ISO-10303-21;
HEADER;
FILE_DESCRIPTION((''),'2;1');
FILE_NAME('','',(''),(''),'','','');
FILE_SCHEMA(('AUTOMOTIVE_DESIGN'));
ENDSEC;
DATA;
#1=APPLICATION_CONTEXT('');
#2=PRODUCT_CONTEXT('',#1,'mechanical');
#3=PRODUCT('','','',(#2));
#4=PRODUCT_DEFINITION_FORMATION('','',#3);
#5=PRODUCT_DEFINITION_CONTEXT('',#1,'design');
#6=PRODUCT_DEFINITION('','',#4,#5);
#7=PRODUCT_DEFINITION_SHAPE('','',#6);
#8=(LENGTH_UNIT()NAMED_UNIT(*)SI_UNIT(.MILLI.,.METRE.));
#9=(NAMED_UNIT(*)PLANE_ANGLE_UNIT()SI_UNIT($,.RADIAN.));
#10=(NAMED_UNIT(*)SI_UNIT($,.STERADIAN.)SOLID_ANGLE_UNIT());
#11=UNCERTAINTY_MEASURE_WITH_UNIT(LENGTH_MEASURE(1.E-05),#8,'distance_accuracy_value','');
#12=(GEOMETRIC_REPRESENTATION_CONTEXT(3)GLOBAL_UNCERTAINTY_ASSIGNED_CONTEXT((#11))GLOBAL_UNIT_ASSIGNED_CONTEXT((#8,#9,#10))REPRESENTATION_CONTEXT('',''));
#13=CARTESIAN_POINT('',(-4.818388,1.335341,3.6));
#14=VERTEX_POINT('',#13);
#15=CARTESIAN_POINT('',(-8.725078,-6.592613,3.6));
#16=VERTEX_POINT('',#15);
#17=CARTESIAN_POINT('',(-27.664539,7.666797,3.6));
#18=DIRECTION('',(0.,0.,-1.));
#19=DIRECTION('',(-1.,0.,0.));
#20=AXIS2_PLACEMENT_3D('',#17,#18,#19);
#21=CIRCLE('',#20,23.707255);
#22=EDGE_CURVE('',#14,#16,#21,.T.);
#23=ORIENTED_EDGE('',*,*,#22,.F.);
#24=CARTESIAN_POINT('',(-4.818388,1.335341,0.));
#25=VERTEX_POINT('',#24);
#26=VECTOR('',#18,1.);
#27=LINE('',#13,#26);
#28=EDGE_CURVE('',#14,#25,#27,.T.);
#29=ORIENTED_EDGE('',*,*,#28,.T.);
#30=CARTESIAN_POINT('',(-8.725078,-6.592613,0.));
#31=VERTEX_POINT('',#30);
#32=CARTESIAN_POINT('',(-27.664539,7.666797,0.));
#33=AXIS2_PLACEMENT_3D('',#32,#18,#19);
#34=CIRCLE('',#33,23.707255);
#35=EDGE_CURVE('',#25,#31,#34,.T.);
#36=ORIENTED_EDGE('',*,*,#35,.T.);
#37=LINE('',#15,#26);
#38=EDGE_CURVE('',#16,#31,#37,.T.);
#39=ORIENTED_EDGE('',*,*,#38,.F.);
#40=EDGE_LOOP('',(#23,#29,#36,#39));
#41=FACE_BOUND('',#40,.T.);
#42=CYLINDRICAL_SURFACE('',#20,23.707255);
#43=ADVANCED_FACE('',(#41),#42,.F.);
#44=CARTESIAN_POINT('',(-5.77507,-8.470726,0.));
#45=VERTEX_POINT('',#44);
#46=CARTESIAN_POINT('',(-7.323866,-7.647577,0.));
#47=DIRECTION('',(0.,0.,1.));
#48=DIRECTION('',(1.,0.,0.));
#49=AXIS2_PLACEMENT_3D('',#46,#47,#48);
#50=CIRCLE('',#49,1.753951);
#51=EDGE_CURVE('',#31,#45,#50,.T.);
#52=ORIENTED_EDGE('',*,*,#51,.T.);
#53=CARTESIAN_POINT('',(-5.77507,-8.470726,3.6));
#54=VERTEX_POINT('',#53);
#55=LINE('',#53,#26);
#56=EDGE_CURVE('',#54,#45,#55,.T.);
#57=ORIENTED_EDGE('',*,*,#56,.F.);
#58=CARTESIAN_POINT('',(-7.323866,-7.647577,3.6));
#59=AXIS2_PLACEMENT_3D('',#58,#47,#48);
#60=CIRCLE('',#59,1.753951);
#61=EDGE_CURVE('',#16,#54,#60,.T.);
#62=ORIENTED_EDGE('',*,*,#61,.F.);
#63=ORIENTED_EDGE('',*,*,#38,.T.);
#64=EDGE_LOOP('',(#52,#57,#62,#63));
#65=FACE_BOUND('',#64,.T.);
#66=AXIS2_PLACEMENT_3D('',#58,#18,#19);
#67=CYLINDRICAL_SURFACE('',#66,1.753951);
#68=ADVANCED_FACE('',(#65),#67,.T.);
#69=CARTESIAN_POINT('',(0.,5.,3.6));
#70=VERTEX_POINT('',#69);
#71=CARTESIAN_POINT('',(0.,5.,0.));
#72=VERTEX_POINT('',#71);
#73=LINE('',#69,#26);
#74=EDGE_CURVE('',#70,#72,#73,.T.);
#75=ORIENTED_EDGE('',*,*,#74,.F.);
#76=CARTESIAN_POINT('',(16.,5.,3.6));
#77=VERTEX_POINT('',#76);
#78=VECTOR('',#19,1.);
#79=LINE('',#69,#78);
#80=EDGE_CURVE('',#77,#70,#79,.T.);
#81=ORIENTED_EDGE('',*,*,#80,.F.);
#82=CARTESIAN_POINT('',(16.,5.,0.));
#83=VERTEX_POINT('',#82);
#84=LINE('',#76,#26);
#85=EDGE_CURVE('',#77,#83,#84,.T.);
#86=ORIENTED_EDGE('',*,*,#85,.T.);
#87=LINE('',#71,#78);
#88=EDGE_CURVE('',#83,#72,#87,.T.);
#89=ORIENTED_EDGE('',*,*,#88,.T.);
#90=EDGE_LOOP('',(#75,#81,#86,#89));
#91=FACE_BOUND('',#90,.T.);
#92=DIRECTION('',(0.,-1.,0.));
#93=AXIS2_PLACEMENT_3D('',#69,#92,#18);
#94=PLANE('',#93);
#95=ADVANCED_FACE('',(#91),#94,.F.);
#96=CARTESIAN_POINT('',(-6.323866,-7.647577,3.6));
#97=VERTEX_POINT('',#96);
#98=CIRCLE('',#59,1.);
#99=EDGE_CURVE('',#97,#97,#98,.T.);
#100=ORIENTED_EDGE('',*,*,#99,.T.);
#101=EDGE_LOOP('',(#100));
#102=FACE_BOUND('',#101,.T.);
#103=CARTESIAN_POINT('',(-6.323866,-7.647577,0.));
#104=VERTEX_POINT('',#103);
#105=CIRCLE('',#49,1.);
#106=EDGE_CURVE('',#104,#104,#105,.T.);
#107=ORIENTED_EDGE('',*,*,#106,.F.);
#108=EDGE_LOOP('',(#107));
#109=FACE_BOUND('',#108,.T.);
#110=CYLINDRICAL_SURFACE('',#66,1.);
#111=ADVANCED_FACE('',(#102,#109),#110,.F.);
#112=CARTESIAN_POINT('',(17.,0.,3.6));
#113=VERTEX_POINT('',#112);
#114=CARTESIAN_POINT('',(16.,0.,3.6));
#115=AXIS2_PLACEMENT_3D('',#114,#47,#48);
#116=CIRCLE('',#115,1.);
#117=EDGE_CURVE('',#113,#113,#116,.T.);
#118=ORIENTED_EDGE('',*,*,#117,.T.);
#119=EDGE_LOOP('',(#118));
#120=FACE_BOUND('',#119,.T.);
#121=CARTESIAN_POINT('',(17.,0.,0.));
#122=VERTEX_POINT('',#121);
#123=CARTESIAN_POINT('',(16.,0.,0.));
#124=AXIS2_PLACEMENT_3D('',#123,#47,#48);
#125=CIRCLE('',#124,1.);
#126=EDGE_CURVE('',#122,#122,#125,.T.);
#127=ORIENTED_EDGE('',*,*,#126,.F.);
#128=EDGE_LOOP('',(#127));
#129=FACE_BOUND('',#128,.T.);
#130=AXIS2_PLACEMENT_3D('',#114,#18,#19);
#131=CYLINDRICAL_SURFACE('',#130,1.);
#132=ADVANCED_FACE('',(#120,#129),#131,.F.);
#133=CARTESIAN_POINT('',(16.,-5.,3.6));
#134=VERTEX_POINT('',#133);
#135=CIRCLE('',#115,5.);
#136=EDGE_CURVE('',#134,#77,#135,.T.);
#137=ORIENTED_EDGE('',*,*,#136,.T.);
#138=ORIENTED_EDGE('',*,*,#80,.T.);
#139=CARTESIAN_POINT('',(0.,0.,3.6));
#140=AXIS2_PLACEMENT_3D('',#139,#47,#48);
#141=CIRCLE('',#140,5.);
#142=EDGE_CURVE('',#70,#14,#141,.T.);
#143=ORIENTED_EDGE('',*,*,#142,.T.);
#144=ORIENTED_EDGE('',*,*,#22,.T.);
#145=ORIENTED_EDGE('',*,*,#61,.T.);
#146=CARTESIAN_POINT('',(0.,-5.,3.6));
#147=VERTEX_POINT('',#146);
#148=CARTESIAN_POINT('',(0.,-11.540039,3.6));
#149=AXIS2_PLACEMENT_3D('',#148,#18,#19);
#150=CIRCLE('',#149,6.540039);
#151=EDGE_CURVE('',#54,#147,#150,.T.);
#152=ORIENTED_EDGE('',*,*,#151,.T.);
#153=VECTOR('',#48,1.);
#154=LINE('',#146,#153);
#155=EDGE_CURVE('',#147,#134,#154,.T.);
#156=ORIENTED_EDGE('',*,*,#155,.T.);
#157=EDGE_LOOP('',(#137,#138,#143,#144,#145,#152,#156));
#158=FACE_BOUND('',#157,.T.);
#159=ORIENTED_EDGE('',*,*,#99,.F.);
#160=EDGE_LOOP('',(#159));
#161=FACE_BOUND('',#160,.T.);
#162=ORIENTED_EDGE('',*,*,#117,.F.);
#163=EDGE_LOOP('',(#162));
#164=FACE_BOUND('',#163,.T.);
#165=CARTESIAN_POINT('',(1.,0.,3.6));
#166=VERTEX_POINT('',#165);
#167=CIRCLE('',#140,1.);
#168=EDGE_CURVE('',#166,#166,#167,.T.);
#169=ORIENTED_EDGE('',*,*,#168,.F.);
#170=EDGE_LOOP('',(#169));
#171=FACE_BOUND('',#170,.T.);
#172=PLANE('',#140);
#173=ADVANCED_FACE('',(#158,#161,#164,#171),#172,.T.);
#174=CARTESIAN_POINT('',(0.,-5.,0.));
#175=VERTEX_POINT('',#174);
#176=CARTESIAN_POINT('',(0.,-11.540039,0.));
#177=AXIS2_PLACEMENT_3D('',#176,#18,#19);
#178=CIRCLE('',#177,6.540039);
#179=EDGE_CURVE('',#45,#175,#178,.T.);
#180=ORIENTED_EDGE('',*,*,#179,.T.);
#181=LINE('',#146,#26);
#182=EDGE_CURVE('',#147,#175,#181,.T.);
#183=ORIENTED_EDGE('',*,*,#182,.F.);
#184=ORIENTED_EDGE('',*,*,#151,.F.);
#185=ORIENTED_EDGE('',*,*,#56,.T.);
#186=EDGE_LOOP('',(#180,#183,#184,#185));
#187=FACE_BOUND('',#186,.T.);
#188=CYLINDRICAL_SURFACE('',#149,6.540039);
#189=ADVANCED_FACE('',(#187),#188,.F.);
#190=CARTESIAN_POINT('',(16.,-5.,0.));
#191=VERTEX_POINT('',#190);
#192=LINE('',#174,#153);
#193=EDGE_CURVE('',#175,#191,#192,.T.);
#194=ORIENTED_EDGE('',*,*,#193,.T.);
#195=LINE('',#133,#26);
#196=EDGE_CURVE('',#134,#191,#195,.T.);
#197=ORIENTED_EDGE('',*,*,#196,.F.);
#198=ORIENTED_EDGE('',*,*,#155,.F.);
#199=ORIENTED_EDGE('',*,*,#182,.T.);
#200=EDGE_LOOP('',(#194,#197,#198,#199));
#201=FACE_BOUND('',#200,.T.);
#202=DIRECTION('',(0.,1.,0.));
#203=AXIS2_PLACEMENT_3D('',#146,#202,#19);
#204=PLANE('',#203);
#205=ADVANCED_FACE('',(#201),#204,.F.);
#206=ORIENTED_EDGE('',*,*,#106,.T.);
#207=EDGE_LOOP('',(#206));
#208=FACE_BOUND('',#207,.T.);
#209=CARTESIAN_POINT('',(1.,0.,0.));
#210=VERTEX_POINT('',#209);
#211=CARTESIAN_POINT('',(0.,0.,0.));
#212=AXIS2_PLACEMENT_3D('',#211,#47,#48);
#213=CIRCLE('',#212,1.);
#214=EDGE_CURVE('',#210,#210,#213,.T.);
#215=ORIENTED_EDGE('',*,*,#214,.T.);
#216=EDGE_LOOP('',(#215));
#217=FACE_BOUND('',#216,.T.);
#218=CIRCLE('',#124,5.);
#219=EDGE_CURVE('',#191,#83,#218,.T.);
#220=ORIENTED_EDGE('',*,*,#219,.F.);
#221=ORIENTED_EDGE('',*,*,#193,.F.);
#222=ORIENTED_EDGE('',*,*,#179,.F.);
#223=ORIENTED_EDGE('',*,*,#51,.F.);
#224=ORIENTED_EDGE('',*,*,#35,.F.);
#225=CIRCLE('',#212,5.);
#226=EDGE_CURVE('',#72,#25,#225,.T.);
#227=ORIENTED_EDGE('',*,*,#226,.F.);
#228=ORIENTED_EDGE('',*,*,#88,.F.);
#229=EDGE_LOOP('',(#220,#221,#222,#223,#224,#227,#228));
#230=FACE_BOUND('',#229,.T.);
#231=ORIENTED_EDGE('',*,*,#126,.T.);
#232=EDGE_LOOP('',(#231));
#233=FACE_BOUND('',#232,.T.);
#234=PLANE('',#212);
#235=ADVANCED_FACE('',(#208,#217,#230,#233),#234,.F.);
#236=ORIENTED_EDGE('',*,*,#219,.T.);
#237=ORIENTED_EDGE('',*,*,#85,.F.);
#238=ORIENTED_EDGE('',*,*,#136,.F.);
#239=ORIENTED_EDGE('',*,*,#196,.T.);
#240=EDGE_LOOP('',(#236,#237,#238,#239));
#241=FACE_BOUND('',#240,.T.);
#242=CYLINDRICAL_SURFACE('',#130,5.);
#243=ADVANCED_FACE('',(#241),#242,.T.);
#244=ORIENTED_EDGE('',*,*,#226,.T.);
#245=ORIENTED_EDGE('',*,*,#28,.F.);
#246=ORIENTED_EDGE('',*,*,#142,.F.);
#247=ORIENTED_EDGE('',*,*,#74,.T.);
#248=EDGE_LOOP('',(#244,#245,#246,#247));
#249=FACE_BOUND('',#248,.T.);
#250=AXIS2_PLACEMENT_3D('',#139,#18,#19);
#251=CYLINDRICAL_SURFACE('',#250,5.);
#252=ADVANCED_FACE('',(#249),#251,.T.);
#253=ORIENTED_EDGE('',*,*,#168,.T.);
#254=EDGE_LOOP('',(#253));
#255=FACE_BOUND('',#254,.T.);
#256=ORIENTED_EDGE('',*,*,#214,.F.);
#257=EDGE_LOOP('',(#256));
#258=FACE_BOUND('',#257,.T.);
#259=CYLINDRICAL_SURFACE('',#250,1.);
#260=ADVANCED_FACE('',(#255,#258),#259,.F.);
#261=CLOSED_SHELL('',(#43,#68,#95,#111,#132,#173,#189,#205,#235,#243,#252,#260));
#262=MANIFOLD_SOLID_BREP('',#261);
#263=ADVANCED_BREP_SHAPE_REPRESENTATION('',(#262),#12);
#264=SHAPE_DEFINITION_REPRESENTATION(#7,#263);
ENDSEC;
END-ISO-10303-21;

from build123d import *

# Parameters (mm, degrees)
SKETCH1_R           = 1
BOSS_EXTRUDE1_DEPTH = 3.6


with BuildPart() as part:
    # Sketch1 → Boss-Extrude1 (new body)
    with BuildSketch(Plane.XY):
        with BuildLine():
            Line((0, 5), (16, 5))
            ThreePointArc((16, 5), (21, 0), (16, -5))
            Line((16, -5), (0, -5))
            ThreePointArc((0, -5), (-3.368878467, -5.934437461), (-5.775069682, -8.470725956))
            ThreePointArc((-5.775069682, -8.470725956), (-8.265817764, -9.127128459), (-8.725078251, -6.592612716))
            ThreePointArc((-8.725078251, -6.592612716), (-6.399016419, -2.812300799), (-4.818388045, 1.335341397))
            ThreePointArc((-4.818388045, 1.335341397), (-3.026821189, 3.979742893), (0, 5))
        make_face()
        with Locations((-7.323866259, -7.647577093)):
            Circle(SKETCH1_R, mode=Mode.SUBTRACT)
        Circle(SKETCH1_R, mode=Mode.SUBTRACT)
        with Locations((16, 0)):
            Circle(SKETCH1_R, mode=Mode.SUBTRACT)
    extrude(amount=BOSS_EXTRUDE1_DEPTH)


solid = part.part
